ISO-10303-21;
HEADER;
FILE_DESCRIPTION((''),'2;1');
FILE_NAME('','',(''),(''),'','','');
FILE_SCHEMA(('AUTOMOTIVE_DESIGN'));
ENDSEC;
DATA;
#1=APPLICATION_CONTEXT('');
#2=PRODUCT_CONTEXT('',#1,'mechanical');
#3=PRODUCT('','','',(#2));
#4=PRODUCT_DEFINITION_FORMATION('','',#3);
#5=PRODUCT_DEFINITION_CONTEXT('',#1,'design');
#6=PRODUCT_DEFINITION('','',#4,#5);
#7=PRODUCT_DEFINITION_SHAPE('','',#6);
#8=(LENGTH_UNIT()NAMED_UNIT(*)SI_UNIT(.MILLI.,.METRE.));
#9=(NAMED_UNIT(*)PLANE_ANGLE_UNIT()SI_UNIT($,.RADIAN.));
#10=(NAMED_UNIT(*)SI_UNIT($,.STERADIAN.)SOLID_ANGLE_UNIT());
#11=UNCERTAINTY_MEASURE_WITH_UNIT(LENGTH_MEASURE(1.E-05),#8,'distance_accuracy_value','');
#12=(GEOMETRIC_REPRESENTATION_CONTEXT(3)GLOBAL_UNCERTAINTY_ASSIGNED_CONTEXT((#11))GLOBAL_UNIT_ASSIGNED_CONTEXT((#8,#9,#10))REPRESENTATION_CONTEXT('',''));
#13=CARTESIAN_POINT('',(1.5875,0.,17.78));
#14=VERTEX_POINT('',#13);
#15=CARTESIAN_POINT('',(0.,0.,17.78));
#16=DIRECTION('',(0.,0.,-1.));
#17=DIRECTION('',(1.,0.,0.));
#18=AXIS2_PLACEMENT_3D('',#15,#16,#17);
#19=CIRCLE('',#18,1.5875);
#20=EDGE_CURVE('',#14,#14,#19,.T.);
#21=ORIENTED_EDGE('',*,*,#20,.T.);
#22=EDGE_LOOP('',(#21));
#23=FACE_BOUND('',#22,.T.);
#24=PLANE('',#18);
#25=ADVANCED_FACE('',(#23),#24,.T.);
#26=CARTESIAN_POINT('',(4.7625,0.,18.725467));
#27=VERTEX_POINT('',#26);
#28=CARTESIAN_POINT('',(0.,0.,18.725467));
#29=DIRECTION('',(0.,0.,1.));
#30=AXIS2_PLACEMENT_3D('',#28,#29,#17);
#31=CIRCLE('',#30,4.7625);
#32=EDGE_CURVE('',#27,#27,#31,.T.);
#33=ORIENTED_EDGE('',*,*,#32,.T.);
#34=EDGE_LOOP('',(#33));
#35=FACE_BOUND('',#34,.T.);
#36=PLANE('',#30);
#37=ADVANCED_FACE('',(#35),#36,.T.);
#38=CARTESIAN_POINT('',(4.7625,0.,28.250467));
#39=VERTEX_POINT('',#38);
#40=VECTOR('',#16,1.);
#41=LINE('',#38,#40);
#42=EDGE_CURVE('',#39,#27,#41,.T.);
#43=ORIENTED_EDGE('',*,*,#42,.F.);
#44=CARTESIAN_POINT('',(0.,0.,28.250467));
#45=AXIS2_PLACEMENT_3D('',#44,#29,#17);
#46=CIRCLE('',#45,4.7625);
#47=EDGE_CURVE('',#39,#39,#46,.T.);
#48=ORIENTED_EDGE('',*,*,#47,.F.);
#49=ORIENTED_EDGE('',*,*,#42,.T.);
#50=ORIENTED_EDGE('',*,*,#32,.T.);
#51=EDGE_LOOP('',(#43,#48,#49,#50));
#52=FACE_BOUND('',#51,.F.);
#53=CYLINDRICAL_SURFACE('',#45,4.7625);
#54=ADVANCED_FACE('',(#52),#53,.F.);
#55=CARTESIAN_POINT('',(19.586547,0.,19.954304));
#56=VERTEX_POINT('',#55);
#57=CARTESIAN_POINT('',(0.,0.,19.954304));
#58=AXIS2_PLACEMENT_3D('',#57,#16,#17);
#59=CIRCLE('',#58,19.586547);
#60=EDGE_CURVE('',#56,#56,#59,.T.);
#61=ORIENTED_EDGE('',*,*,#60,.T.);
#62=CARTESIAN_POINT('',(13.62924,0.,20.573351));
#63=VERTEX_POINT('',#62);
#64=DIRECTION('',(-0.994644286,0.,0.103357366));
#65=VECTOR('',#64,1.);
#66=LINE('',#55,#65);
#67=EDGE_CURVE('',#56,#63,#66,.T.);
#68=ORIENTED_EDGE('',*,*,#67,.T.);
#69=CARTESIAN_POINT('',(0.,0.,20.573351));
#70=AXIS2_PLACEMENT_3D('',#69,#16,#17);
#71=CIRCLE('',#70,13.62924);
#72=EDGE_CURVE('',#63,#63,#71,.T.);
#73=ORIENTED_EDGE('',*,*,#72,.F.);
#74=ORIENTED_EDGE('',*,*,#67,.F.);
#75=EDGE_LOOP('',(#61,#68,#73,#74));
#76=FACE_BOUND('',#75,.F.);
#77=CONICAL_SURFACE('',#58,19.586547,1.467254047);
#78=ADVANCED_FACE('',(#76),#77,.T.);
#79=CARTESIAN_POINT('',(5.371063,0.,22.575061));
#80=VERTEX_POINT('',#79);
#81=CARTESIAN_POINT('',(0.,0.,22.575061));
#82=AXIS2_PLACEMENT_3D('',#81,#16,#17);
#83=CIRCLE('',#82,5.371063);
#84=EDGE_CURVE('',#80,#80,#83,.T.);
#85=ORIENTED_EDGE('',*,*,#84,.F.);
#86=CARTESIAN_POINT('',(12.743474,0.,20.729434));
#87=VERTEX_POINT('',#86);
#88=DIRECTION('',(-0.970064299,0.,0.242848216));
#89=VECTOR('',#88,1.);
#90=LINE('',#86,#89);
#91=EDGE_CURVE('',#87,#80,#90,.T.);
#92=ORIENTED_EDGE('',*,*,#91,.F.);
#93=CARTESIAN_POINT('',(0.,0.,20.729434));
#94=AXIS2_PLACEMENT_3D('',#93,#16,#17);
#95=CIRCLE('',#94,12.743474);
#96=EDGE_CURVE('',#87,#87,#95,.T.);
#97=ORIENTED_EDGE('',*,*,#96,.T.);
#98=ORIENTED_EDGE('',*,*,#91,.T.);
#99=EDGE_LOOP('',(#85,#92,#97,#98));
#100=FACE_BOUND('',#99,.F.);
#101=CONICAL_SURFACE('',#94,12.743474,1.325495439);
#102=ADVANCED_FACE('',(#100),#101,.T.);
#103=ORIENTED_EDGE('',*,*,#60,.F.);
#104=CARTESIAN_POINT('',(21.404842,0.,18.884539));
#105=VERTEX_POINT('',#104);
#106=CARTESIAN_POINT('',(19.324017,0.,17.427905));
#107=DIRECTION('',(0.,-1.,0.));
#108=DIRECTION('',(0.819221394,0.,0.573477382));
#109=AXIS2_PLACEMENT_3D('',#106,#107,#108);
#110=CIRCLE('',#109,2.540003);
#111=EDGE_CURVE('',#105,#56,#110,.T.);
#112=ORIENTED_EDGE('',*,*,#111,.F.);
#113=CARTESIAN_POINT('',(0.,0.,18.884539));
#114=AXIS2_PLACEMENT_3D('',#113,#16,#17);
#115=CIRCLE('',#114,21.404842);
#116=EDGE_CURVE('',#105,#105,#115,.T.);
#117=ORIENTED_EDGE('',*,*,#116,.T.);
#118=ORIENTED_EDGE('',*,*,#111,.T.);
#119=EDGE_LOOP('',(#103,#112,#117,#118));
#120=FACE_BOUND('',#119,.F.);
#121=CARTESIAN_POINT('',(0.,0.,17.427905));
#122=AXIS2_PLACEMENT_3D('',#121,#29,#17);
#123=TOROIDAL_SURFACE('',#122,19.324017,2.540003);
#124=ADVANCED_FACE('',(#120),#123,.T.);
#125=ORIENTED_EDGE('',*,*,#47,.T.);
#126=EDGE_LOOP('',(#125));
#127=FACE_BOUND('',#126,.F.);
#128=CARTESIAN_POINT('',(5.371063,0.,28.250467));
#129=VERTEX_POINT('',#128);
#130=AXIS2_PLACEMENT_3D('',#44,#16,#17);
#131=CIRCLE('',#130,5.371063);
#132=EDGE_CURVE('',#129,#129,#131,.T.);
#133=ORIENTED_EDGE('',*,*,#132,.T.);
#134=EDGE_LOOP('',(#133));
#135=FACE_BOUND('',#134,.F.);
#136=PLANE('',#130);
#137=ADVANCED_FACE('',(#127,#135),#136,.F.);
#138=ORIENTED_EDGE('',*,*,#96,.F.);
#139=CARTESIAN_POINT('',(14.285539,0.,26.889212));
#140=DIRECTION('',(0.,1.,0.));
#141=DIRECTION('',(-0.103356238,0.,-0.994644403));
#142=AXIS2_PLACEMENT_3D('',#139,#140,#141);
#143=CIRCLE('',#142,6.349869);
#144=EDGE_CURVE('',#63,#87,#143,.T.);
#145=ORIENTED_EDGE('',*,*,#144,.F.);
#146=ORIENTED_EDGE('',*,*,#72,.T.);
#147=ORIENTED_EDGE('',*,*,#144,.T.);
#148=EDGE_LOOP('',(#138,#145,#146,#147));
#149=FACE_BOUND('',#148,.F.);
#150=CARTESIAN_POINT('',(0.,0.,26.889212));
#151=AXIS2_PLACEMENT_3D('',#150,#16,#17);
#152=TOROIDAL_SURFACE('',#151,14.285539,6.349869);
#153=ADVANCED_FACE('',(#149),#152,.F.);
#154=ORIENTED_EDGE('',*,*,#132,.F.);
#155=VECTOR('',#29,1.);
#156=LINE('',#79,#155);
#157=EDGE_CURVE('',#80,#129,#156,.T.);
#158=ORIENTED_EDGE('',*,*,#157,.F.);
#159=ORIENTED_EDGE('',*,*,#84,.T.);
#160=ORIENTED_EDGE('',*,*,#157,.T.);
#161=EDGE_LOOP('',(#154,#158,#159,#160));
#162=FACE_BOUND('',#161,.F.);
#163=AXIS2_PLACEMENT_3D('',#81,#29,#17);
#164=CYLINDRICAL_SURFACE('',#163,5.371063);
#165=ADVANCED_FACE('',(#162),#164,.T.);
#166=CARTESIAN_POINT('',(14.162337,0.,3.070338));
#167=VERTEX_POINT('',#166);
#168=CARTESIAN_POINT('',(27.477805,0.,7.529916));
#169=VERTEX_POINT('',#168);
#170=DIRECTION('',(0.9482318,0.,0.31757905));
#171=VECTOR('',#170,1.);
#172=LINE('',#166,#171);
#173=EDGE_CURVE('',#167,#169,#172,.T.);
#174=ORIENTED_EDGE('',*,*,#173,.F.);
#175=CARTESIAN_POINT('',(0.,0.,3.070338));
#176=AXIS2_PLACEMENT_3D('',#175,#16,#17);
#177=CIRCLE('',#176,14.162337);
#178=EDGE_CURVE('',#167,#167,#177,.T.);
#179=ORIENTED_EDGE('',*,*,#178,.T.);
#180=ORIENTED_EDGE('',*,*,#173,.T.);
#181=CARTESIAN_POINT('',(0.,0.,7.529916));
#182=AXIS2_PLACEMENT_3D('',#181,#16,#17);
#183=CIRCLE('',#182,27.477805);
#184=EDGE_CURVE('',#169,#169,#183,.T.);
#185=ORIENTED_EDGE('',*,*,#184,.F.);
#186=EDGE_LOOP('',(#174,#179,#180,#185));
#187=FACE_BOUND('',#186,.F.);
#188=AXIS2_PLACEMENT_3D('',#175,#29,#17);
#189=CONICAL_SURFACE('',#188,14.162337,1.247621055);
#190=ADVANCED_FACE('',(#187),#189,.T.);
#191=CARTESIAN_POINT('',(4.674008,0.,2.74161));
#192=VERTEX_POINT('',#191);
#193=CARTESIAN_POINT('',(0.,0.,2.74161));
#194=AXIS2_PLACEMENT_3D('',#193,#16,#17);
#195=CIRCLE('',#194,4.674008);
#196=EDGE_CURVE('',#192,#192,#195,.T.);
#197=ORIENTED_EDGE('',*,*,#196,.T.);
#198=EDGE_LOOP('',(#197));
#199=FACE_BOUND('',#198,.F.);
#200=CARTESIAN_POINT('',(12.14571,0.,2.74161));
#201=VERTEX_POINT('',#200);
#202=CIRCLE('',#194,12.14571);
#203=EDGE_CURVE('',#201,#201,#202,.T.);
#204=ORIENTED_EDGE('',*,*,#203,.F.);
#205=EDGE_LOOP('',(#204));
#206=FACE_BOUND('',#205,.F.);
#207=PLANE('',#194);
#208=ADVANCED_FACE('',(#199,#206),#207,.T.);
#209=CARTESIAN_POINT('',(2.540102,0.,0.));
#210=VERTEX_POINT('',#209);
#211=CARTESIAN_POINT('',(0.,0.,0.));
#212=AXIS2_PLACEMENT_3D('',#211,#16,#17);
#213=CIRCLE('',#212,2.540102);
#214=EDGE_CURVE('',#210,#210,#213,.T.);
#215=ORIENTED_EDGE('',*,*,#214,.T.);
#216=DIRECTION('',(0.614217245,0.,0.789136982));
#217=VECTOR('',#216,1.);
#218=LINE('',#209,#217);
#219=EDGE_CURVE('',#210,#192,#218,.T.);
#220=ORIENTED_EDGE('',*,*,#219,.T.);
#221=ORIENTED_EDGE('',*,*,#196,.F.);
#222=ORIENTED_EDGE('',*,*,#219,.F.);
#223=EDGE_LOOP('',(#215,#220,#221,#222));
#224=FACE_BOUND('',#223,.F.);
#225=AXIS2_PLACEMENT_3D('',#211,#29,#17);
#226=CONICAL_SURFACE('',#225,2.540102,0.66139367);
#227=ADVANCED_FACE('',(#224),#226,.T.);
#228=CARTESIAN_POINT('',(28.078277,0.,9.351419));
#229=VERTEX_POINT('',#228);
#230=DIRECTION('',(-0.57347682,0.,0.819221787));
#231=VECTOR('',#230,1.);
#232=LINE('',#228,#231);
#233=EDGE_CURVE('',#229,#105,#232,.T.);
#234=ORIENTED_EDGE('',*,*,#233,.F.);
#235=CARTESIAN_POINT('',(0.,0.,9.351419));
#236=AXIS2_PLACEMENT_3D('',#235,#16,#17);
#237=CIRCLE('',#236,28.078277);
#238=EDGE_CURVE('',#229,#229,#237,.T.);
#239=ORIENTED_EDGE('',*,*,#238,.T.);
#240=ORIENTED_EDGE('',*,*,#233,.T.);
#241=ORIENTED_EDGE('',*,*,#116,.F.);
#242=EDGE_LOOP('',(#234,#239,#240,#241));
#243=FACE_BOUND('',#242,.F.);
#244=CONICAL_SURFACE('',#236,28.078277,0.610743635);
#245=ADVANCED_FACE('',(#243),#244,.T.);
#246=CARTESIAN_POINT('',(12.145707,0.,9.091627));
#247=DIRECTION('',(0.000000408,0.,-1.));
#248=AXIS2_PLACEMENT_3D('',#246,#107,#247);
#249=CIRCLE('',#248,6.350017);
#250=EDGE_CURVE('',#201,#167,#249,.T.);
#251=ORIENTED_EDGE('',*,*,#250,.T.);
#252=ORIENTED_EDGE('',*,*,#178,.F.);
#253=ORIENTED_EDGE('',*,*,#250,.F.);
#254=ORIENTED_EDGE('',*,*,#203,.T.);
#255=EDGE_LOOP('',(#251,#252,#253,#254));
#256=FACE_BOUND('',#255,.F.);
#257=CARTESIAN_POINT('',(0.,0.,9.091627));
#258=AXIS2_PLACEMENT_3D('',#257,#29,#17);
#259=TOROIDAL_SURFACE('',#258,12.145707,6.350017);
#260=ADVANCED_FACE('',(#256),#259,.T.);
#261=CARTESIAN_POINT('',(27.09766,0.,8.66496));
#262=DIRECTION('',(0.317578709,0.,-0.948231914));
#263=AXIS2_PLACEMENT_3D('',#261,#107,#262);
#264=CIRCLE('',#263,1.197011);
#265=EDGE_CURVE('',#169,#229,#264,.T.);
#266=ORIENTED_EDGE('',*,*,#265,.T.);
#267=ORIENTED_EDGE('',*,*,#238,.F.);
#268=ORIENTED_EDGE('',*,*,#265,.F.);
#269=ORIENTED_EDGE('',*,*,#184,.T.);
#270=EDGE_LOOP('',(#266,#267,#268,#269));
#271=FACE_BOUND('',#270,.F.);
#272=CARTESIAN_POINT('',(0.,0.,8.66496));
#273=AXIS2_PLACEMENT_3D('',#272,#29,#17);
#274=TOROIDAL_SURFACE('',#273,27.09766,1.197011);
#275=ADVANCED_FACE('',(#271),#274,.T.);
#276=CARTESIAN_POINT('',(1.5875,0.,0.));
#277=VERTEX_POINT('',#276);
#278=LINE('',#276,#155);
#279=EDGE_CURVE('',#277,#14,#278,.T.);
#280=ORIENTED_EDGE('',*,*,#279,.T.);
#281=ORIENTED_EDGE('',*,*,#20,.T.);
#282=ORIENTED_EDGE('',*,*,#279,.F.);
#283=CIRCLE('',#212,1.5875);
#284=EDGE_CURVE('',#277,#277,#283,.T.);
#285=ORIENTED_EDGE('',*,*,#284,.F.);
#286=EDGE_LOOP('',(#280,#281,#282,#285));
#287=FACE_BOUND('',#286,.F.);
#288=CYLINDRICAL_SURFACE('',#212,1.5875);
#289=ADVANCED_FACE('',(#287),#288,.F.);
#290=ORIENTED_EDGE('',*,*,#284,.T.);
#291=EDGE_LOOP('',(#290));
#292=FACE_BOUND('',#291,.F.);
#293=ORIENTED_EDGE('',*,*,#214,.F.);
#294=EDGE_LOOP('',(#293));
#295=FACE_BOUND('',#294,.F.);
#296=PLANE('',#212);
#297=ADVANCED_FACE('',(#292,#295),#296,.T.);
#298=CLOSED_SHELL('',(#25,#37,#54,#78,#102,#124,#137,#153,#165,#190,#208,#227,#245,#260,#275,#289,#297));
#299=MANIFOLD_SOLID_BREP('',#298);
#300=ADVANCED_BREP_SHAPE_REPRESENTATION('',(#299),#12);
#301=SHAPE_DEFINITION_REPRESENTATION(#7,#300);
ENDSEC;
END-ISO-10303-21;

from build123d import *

# Parameters (mm, degrees)
F2_R     = 4.7625
F3_DEPTH = 9.525
F4_R     = 1.5875
F5_DEPTH = 17.78


with BuildPart() as f1:
    # F0 (on Front) → F1 (revolve)
    with BuildSketch(Plane.XZ):
        with BuildLine():
            Line((12.743474, 20.729434), (5.371063, 22.575061))
            Line((5.371063, 22.575061), (5.371063, 28.250467))
            Line((5.371063, 28.250467), (0, 28.250467))
            Line((0, 28.250467), (0, 0))
            Line((0, 0), (2.540102, 0))
            Line((2.540102, 0), (4.674008, 2.74161))
            Line((4.674008, 2.74161), (12.14571, 2.74161))
            ThreePointArc((12.14571, 2.74161), (13.167332, 2.824331), (14.162337, 3.070338))
            Line((14.162337, 3.070338), (27.477805, 7.529916))
            ThreePointArc((27.477805, 7.529916), (28.234492, 8.290196), (28.078277, 9.351419))
            Line((28.078277, 9.351419), (21.404842, 18.884539))
            ThreePointArc((21.404842, 18.884539), (20.61201, 19.617126), (19.586547, 19.954304))
            Line((19.586547, 19.954304), (13.62924, 20.573351))
            ThreePointArc((13.62924, 20.573351), (13.18359, 20.63569), (12.743474, 20.729434))
        make_face()
    revolve(axis=Axis((0, 0, 14.125234), (0, 0, -1)))

    # F2 (on face) → F3 (cut)
    with BuildSketch(Plane.XY.offset(28.250467)):
        Circle(F2_R)
    extrude(amount=-F3_DEPTH, mode=Mode.SUBTRACT)

    # F4 (on face) → F5 (cut)
    with BuildSketch(Plane(origin=(0, 0, 0), x_dir=(1, 0, 0), z_dir=(0, 0, -1))):
        Circle(F4_R)
    extrude(amount=-F5_DEPTH, mode=Mode.SUBTRACT)


solid = f1.part
